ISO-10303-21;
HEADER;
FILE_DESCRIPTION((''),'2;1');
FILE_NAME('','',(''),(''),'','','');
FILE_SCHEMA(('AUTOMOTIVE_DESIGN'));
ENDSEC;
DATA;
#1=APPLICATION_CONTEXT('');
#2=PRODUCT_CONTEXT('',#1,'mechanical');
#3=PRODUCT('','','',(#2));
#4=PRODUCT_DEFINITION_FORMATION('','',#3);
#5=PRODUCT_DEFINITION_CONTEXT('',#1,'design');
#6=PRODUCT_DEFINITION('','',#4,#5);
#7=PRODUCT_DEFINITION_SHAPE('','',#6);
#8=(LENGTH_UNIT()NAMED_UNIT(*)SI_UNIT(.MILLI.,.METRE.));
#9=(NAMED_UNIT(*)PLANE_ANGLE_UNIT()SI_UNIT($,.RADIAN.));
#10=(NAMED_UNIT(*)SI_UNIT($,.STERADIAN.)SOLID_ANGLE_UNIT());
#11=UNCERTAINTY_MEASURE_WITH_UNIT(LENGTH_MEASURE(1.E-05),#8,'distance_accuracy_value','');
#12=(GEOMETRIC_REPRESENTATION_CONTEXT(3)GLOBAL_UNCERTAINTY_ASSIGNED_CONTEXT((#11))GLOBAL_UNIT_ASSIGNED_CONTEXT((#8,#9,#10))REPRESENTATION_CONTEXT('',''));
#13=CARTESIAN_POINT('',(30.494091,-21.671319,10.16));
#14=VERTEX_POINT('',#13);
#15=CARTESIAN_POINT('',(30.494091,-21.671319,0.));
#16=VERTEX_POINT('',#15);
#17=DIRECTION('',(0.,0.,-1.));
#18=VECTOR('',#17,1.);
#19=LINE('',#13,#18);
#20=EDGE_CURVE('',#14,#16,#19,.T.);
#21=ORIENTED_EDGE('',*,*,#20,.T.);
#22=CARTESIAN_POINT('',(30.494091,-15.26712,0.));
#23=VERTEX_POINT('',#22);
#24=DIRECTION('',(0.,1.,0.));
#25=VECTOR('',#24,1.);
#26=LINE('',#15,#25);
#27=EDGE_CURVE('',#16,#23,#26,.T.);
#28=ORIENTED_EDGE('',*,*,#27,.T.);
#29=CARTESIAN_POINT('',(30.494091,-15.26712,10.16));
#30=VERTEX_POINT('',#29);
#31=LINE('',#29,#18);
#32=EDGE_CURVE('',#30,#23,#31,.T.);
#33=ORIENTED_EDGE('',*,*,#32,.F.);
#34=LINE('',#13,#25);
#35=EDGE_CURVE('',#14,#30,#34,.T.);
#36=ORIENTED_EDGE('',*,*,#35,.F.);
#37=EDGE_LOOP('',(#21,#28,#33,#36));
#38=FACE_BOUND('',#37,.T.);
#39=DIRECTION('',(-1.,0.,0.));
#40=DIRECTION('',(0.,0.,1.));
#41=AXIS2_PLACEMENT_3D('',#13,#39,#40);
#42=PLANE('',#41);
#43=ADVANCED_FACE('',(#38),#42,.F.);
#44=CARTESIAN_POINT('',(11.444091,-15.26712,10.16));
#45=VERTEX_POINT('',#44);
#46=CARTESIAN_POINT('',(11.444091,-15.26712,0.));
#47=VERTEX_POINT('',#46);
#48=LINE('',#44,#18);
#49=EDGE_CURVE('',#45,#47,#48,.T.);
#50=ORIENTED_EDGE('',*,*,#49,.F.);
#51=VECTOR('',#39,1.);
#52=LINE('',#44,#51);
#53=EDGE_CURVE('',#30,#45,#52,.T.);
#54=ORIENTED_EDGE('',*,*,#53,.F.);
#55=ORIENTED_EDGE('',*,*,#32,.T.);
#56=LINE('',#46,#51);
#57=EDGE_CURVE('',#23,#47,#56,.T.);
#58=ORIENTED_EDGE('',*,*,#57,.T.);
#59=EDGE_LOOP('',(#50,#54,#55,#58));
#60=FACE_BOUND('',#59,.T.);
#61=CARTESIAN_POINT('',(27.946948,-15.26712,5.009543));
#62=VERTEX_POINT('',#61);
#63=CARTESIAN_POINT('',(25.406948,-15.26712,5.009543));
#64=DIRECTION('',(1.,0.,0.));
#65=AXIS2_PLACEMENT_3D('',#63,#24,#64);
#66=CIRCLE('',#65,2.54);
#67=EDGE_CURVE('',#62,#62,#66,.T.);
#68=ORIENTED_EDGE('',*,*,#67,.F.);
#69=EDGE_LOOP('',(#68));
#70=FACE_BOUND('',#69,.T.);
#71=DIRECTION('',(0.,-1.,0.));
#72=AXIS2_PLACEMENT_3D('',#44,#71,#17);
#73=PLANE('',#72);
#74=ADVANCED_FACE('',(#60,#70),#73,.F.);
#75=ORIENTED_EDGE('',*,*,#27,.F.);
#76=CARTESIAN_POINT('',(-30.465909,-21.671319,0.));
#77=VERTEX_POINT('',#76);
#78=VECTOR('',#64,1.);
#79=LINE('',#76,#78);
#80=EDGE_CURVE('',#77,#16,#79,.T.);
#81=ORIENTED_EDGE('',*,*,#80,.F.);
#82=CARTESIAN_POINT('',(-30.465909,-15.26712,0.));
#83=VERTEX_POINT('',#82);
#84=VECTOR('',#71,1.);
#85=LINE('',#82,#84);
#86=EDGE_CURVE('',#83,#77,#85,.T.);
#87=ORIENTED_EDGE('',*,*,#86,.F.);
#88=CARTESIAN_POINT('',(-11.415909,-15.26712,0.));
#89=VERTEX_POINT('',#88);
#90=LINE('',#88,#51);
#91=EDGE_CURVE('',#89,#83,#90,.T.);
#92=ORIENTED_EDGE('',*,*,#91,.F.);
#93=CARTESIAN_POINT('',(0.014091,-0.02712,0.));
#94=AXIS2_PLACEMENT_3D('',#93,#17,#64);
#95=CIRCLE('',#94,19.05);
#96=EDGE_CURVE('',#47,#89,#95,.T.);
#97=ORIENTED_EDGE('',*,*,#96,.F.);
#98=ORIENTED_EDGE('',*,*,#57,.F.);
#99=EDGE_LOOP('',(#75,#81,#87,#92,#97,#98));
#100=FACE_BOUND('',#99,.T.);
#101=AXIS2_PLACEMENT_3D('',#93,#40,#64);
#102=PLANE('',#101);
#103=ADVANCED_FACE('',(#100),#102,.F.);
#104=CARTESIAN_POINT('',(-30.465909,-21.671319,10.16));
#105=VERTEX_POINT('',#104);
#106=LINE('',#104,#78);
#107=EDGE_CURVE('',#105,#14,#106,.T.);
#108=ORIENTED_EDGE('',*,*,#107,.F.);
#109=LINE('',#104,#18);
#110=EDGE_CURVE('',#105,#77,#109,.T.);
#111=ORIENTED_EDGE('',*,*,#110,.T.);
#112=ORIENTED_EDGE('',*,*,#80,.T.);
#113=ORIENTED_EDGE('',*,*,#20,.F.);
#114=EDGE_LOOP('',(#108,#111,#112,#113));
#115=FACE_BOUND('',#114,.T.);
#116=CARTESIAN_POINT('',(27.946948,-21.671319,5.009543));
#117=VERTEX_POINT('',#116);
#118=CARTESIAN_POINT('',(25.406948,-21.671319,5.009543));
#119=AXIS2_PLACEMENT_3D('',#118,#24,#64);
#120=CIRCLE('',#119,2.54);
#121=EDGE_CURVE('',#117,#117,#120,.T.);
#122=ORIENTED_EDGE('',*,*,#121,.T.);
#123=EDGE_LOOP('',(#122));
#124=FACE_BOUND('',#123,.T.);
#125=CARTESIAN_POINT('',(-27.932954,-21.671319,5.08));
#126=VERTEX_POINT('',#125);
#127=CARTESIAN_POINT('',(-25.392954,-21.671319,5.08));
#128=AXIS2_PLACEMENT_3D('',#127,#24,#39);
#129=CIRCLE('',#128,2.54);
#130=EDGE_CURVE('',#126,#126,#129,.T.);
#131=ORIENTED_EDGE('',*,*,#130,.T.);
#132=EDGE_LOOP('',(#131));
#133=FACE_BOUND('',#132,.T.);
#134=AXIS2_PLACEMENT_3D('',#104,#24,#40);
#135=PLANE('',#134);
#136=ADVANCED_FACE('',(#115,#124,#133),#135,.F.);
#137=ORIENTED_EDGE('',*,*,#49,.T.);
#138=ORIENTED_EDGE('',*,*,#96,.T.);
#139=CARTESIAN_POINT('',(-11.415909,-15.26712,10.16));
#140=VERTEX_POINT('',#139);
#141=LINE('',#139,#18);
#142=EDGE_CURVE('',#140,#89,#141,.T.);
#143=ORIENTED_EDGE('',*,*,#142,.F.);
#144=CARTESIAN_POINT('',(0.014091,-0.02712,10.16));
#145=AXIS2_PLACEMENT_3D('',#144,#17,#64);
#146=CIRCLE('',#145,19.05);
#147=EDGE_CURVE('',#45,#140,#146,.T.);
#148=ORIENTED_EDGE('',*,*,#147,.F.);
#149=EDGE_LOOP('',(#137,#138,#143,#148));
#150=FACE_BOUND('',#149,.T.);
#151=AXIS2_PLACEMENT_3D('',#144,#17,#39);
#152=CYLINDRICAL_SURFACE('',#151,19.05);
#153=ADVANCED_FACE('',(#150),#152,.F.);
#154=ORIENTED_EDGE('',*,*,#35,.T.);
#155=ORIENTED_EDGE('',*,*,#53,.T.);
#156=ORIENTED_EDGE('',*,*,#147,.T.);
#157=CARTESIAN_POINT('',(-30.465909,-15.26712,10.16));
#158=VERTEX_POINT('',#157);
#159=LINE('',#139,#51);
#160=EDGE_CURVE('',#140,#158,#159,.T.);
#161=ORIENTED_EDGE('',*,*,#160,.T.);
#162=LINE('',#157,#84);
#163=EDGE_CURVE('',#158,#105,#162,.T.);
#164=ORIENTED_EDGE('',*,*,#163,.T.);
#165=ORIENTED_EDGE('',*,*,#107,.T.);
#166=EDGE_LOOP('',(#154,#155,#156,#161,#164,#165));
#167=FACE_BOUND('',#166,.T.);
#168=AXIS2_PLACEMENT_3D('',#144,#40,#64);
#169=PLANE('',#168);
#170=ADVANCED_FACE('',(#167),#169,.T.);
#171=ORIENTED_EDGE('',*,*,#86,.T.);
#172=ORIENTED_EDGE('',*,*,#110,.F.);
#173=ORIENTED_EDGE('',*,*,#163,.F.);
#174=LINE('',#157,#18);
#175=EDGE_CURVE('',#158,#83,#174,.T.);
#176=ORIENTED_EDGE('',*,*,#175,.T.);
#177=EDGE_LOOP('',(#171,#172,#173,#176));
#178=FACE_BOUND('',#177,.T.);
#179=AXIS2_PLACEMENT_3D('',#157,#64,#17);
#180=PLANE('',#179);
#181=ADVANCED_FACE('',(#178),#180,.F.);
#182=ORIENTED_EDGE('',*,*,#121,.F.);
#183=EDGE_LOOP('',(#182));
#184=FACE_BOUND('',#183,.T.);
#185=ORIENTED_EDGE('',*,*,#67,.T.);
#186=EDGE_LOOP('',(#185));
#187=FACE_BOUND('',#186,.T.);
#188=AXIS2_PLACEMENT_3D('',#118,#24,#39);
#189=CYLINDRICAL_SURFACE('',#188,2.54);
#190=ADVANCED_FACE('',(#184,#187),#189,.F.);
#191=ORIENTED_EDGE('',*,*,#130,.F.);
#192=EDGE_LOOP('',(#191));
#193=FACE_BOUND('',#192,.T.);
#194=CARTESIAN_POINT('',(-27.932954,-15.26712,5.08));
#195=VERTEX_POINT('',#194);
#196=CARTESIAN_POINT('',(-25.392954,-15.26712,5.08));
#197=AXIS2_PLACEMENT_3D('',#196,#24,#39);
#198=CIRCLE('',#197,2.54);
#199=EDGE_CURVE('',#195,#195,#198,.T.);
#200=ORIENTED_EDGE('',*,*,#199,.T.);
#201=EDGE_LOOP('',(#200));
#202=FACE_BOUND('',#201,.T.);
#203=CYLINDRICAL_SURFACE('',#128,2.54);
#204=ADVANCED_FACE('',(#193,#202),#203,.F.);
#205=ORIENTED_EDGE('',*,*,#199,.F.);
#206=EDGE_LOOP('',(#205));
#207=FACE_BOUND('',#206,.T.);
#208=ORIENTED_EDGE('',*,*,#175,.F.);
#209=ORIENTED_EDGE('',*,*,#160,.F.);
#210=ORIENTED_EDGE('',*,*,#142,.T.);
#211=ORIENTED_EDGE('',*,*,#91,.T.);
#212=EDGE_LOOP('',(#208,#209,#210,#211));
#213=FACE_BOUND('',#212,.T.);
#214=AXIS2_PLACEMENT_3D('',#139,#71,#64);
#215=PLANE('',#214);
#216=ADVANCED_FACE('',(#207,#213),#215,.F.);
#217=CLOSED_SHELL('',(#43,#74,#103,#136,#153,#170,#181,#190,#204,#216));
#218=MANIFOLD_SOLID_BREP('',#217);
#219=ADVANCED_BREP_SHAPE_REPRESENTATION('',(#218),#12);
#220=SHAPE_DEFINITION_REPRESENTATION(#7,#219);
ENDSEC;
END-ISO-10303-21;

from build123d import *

# Parameters (mm, degrees)
BOSS_EXTRUDE1_DEPTH = 10.16
SKETCH2_R           = 2.54
CUT_EXTRUDE1_DEPTH  = 33.773906903


with BuildPart() as part:
    # Sketch1 → Boss-Extrude1 (new body)
    with BuildSketch(Plane.XY):
        with BuildLine():
            Line((-11.415908645, -15.267119982), (-30.465908645, -15.267119982))
            Line((-30.465908645, -15.267119982), (-30.465908645, -21.671319081))
            Line((-30.465908645, -21.671319081), (30.494091355, -21.671319081))
            Line((30.494091355, -21.671319081), (30.494091355, -15.267119982))
            Line((30.494091355, -15.267119982), (11.444091355, -15.267119982))
            ThreePointArc((11.444091355, -15.267119982), (0.014091355, -19.077119982), (-11.415908645, -15.267119982))
        make_face()
    extrude(amount=BOSS_EXTRUDE1_DEPTH)

    # Sketch2 → Cut-Extrude1 (cut, through all)
    with BuildSketch(Plane(origin=(0, -15.267119982, 0), x_dir=(1, 0, 0), z_dir=(0, 1, 0))):
        with Locations(Location((-25.392954322, -5.08, 0), (0, 0, 180))):
            Circle(SKETCH2_R)
        with Locations((25.406947958, -5.00954336)):
            Circle(SKETCH2_R)
    extrude(amount=-CUT_EXTRUDE1_DEPTH, mode=Mode.SUBTRACT)


solid = part.part
